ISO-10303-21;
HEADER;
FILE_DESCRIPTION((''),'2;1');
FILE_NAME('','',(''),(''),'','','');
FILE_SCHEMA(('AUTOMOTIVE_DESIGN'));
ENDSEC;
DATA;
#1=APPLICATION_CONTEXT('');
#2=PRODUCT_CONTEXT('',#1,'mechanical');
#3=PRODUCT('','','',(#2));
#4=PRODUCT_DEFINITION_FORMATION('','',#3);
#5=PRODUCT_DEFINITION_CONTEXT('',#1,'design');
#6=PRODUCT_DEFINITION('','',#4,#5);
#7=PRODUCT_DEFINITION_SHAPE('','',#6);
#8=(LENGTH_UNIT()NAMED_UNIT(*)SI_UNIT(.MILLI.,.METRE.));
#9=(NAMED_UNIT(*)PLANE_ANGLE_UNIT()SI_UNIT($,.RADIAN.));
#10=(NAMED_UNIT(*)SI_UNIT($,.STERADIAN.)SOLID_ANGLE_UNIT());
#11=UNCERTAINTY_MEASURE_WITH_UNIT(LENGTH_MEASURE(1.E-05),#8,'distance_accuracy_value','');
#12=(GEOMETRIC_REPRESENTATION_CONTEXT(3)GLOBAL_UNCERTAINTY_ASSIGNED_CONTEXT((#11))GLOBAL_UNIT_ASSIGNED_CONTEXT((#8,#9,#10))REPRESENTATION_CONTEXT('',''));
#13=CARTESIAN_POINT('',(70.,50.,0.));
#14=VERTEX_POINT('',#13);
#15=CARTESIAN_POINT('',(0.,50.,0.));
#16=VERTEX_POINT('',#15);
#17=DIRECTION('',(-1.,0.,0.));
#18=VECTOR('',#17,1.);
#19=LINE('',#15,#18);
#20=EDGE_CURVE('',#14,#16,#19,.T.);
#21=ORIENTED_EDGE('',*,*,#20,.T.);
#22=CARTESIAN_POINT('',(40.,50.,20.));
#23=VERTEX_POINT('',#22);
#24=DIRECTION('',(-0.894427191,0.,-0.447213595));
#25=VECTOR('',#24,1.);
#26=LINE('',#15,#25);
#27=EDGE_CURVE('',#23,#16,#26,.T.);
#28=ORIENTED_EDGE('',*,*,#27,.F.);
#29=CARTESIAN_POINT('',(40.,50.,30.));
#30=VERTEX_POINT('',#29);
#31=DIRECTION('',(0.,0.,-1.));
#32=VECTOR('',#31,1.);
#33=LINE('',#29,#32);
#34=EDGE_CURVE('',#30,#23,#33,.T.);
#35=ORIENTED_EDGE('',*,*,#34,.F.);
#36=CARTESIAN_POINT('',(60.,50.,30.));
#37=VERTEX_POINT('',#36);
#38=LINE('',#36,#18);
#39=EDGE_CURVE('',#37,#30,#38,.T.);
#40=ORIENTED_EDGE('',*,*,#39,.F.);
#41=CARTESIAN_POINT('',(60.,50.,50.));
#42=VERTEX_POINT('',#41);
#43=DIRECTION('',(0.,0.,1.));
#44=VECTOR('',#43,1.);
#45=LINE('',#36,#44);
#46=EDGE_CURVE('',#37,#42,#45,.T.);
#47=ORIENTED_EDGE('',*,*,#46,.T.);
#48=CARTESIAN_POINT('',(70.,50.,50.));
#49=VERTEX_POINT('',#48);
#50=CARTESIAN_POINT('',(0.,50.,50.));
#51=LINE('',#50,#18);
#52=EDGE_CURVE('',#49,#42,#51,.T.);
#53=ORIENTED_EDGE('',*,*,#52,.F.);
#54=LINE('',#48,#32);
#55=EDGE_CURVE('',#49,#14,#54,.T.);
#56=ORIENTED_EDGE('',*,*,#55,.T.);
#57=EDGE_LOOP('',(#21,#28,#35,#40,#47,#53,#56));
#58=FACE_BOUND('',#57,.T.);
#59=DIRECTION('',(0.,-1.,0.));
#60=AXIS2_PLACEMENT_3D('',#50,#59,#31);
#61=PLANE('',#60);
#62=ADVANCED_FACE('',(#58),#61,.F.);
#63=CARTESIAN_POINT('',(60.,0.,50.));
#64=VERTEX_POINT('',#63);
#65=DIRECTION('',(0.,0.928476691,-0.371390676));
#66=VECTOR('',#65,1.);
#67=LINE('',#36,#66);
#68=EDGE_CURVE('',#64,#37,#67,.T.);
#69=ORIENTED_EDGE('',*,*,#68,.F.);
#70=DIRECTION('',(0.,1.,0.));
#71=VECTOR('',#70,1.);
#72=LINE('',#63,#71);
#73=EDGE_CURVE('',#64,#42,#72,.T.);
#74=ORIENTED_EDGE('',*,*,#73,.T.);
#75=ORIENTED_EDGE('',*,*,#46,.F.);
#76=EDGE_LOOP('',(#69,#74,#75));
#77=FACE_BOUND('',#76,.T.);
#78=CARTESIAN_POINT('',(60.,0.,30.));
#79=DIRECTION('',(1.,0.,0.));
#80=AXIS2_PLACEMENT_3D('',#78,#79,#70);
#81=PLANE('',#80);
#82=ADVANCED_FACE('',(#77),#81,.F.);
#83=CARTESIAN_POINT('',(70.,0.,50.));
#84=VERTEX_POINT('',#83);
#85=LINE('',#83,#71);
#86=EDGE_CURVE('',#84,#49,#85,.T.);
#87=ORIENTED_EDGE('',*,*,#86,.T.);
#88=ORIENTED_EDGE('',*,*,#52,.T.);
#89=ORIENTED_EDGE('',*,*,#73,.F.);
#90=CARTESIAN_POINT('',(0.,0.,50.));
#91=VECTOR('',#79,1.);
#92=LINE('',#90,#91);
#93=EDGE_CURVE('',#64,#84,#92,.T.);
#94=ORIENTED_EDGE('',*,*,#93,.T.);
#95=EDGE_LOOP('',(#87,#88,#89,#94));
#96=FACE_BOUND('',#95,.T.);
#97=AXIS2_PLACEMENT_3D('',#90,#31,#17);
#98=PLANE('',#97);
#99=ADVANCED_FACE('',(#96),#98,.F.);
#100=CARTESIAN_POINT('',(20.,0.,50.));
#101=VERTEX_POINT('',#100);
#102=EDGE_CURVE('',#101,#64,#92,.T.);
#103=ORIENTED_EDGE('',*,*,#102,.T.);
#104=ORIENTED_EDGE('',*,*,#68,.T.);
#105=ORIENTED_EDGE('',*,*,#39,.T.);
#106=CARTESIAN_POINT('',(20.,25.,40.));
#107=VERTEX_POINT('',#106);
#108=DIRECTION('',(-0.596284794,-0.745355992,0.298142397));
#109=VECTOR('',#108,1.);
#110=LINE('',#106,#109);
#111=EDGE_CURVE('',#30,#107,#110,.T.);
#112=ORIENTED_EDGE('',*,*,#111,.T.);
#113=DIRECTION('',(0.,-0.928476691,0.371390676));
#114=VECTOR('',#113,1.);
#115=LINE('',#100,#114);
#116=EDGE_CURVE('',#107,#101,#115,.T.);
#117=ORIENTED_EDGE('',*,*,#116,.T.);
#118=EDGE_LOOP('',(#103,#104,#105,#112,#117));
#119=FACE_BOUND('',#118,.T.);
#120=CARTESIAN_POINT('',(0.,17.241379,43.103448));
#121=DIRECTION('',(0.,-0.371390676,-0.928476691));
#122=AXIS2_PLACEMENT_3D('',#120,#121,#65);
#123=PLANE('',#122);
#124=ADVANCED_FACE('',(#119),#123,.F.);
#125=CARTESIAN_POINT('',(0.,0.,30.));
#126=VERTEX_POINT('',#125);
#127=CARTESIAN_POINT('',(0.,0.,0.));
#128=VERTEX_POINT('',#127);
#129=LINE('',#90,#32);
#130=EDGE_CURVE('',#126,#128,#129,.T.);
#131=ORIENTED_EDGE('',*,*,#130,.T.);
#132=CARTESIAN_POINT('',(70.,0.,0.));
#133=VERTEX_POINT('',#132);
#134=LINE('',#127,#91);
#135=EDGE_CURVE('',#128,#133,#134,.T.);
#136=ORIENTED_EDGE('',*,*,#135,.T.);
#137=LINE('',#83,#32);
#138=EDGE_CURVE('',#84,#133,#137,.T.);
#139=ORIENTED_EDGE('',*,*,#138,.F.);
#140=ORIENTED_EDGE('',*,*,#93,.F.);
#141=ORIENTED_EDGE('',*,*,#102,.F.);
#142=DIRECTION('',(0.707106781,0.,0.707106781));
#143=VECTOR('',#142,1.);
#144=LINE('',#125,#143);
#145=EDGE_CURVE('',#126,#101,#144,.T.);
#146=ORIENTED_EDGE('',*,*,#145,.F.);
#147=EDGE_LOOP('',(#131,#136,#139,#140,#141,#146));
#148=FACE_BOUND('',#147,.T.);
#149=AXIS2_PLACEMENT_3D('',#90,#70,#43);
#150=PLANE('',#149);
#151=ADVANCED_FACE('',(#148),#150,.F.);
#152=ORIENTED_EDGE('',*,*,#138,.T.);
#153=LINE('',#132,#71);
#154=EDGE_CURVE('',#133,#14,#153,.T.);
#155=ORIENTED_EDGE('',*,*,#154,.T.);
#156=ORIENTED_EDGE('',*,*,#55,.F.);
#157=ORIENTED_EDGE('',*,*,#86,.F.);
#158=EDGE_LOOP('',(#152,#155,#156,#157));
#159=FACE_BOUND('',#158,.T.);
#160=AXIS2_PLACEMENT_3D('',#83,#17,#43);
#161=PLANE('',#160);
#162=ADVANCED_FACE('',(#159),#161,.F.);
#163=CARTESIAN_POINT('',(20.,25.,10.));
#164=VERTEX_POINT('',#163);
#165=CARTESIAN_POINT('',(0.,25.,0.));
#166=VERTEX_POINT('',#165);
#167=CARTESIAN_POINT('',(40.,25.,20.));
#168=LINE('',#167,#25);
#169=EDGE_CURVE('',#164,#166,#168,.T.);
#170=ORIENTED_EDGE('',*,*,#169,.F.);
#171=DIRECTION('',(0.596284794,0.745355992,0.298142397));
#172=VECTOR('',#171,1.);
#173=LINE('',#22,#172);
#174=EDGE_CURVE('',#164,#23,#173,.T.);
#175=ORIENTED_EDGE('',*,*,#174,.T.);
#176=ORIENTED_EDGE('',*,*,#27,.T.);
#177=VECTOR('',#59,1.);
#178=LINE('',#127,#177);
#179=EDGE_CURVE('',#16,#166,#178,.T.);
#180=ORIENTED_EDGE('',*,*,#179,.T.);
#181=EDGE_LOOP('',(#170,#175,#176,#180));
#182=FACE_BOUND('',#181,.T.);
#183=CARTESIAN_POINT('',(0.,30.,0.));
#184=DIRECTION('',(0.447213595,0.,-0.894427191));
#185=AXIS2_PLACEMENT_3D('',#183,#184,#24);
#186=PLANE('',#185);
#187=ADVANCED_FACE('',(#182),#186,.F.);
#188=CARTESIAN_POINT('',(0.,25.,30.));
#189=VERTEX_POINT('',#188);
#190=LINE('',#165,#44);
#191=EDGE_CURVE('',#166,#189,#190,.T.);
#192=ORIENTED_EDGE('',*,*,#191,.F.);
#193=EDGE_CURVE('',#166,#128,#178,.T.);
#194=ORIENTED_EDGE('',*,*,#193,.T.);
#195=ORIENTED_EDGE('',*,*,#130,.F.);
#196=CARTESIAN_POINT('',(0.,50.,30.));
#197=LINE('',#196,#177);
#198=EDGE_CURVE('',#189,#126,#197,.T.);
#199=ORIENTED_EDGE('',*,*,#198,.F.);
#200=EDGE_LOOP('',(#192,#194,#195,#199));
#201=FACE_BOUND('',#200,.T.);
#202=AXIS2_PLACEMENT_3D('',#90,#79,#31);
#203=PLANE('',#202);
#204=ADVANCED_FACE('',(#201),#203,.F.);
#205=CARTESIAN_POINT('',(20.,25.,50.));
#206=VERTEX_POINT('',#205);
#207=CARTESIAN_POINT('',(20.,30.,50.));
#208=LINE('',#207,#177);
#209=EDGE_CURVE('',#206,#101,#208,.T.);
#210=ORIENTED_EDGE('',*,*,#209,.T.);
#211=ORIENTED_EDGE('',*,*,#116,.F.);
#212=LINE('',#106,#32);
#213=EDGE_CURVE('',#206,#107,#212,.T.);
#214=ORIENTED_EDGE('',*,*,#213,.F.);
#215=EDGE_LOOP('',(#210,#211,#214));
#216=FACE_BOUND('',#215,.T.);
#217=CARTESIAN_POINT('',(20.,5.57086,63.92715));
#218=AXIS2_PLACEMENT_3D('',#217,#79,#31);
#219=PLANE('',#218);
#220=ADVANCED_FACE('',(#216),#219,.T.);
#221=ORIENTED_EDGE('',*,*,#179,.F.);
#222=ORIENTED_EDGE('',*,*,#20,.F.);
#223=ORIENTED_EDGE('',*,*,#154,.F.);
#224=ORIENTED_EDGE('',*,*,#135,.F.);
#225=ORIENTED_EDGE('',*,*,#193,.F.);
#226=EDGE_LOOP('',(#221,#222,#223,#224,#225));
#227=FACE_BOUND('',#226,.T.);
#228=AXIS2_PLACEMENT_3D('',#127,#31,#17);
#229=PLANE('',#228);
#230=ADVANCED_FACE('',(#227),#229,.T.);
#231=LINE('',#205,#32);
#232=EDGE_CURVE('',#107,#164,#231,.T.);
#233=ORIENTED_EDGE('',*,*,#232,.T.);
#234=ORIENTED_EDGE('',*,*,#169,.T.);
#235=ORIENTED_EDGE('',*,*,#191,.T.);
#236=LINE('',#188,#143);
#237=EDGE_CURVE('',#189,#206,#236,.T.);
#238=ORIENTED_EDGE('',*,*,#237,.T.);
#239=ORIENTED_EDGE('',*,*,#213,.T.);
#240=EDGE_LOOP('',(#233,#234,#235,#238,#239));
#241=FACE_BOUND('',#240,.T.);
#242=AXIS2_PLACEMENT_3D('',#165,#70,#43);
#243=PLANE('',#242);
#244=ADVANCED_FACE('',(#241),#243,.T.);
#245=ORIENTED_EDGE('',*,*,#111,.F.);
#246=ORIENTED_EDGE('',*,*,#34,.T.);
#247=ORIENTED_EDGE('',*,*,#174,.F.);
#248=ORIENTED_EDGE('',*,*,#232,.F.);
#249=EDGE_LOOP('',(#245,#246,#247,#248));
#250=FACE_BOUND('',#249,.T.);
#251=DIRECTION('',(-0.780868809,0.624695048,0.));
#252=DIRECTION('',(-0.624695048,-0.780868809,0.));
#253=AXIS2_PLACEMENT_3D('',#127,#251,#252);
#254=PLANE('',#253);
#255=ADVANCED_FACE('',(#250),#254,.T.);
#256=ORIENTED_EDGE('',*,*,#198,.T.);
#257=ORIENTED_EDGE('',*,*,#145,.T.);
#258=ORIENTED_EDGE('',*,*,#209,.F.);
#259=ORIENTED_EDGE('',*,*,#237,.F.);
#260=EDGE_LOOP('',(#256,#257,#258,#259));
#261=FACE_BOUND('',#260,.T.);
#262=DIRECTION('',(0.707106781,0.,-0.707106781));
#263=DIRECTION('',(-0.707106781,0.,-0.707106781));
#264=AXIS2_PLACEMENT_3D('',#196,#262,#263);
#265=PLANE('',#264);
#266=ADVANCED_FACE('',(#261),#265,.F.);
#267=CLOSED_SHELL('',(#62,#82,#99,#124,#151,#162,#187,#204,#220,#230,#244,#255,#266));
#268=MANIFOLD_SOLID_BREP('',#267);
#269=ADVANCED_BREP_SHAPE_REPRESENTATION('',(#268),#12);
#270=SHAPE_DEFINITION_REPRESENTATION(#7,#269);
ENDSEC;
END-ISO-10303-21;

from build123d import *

# Parameters (mm, degrees)
SKETCH1_W            = 70
SKETCH1_H            = 50
BOSS_EXTRUDE1_DEPTH  = 50
CUT_EXTRUDE1_DEPTH   = 50
CUT_EXTRUDE2_DEPTH   = 20
CUT_EXTRUDE3_DEPTH   = 20
CUT_EXTRUDE4_DEPTH   = 5
BOSS_EXTRUDE2_DEPTH  = 25
CUT_EXTRUDE5_DEPTH   = 25
BOSS_EXTRUDE3_DEPTH  = 30
BOSS_EXTRUDE4_DEPTH  = 50
CUT_EXTRUDE7_DEPTH   = 15
CUT_EXTRUDE8_DEPTH   = 15
BOSS_EXTRUDE5_DEPTH  = 15
CUT_EXTRUDE12_DEPTH  = 15
CUT_EXTRUDE13_DEPTH  = 15
BOSS_EXTRUDE6_DEPTH  = 15
SKETCH22_W           = 70
SKETCH22_H           = 50
CUT_EXTRUDE15_DEPTH  = 15
BOSS_EXTRUDE11_DEPTH = 15
CUT_EXTRUDE18_DEPTH  = 15
CUT_EXTRUDE19_DEPTH  = 15
BOSS_EXTRUDE14_DEPTH = 15
BOSS_EXTRUDE17_DEPTH = 25
BOSS_EXTRUDE18_DEPTH = 25


with BuildPart() as part:
    # Sketch1 → Boss-Extrude1 (new body)
    with BuildSketch(Plane.XY):
        with Locations((35, 25)):
            Rectangle(SKETCH1_W, SKETCH1_H)
    extrude(amount=BOSS_EXTRUDE1_DEPTH)

    # Sketch2 → Cut-Extrude1 (cut)
    with BuildSketch(Plane.XZ):
        Polygon((0, 30), (20, 50), (0, 50), align=None)
    extrude(amount=-CUT_EXTRUDE1_DEPTH, mode=Mode.SUBTRACT)

    # Sketch3 → Cut-Extrude2 (cut)
    with BuildSketch(Plane.XY.offset(50)):
        Polygon((60, 0), (60, 50), (40, 50), (20, 30), (20, 0), align=None)
    extrude(amount=-CUT_EXTRUDE2_DEPTH, mode=Mode.SUBTRACT)

    # Sketch4 → Cut-Extrude3 (cut)
    with BuildSketch(Plane(origin=(0, 50, 0), x_dir=(1, 0, 0), z_dir=(0, 1, 0))):
        Polygon((40, -30), (20, -50), (0, -30), (0, 0), (40, -20), align=None)
    extrude(amount=-CUT_EXTRUDE3_DEPTH, mode=Mode.SUBTRACT)

    # Sketch5 → Cut-Extrude4 (cut)
    with BuildSketch(Plane(origin=(0, 30, 0), x_dir=(1, 0, 0), z_dir=(0, 1, 0))):
        Polygon((0, 0), (0, -30), (20, -50), (20, -30), (40, -30), (40, -20), align=None)
    extrude(amount=-CUT_EXTRUDE4_DEPTH, mode=Mode.SUBTRACT)

    # Sketch6 → Boss-Extrude2 (add)
    with BuildSketch(Plane(origin=(0, 25, 0), x_dir=(1, 0, 0), z_dir=(0, 1, 0))):
        Polygon((20, -10), (20, -30), (40, -30), (40, -20), align=None)
    extrude(amount=BOSS_EXTRUDE2_DEPTH)

    # Sketch7 → Cut-Extrude5 (cut)
    with BuildSketch(Plane(origin=(0, 50, 0), x_dir=(1, 0, 0), z_dir=(0, 1, 0))):
        Polygon((20, -50), (40, -50), (40, -30), align=None)
    extrude(amount=-CUT_EXTRUDE5_DEPTH, mode=Mode.SUBTRACT)

    # Sketch8 → Boss-Extrude3 (add)
    with BuildSketch(Plane.XZ):
        Polygon((20, 50), (20, 40), (40, 30), (60, 30), (60, 50), align=None)
    extrude(amount=-BOSS_EXTRUDE3_DEPTH)

    # Sketch9 → Boss-Extrude4 (add)
    with BuildSketch(Plane(origin=(0, 50, 0), x_dir=(1, 0, 0), z_dir=(0, 1, 0))):
        Polygon((20, -40), (40, -30), (20, -30), align=None)
    extrude(amount=-BOSS_EXTRUDE4_DEPTH)

    # Sketch10 → Cut-Extrude7 (cut)
    with BuildSketch(Plane(origin=(0, 50, 0), x_dir=(1, 0, 0), z_dir=(0, 1, 0))):
        Polygon((20, -40), (40, -30), (40, -20), (20, -10), align=None)
    extrude(amount=-CUT_EXTRUDE7_DEPTH, mode=Mode.SUBTRACT)

    # Sketch11 → Cut-Extrude8 (cut)
    with BuildSketch(Plane(origin=(0, 17.24137931, 43.103448276), x_dir=(1, 0, 0), z_dir=(0, 0.371390676, 0.928476691))):
        Polygon((60, 35.282114254), (60, -18.569533818), (20, -18.569533818), (20, 4.642383454), (40, 35.282114254), align=None)
    extrude(amount=CUT_EXTRUDE8_DEPTH, mode=Mode.SUBTRACT)

    # Sketch12 → Boss-Extrude5 (add)
    with BuildSketch(Plane(origin=(0, 17.24137931, 43.103448276), x_dir=(1, 0, 0), z_dir=(0, 0.371390676, 0.928476691))):
        Polygon((40, 35.282114254), (60, 35.282114254), (60, -18.569533818), (20, -18.569533818), (20, 4.642383454), align=None)
    extrude(amount=-BOSS_EXTRUDE5_DEPTH)

    # Sketch13 → Cut-Extrude12 (cut)
    with BuildSketch(Plane(origin=(11.899549259, -7.211848036, 2.884739214), x_dir=(0.173608446, -0.10521724, -0.979177941), z_dir=(0.837390852, -0.507509607, 0.203003843))):
        Polygon((-48.11715912, 31.745980111), (-48.11715912, 37.592580529), (-35.861981078, 39.10036734), (-39.313151906, 28.797022071), align=None)
    extrude(amount=-CUT_EXTRUDE12_DEPTH, mode=Mode.SUBTRACT)

    # Sketch15 → Cut-Extrude13 (cut)
    with BuildSketch(Plane(origin=(0, 17.24137931, 43.103448276), x_dir=(1, 0, 0), z_dir=(0, 0.371390676, 0.928476691))):
        Polygon((40, 35.282114254), (20, 35.282114254), (20, -18.569533818), align=None)
    extrude(amount=CUT_EXTRUDE13_DEPTH, mode=Mode.SUBTRACT)

    # Sketch16 → Boss-Extrude6 (add)
    with BuildSketch(Plane(origin=(0, 17.24137931, 43.103448276), x_dir=(1, 0, 0), z_dir=(0, 0.371390676, 0.928476691))):
        Polygon((25.939393939, 13.741455025), (28, 19.126619832), (24, 13.741455025), align=None)
        Polygon((28, 19.126619832), (25.939393939, 13.741455025), (29.454545455, 19.126619832), align=None)
    extrude(amount=-BOSS_EXTRUDE6_DEPTH)

    # Sketch22 → Cut-Extrude15 (cut)
    with BuildSketch(Plane(origin=(0, 0, 0), x_dir=(-1, 0, 0), z_dir=(0, -1, 0))):
        with Locations((-35, -25)):
            Rectangle(SKETCH22_W, SKETCH22_H)
    extrude(amount=CUT_EXTRUDE15_DEPTH, mode=Mode.SUBTRACT)

    # Sketch28 → Boss-Extrude11 (add)
    with BuildSketch(Plane(origin=(-9.6, 12.8, 0), x_dir=(0.8, 0.6, 0), z_dir=(-0.6, 0.8, 0))):
        Polygon((37, -36), (62, -30), (62, -20), (37, -10), align=None)
    extrude(amount=-BOSS_EXTRUDE11_DEPTH)

    # Sketch29 → Cut-Extrude18 (cut)
    with BuildSketch(Plane(origin=(0, 0, 0), x_dir=(0, 0, -1), z_dir=(0.780868809, -0.624695048, 0))):
        Polygon((-40, 32.015621187), (-30, 64.031242374), (-20, 64.031242374), (-10, 32.015621187), align=None)
    extrude(amount=-CUT_EXTRUDE18_DEPTH, mode=Mode.SUBTRACT)

    # Sketch30 → Cut-Extrude19 (cut)
    with BuildSketch(Plane(origin=(0, 0, 0), x_dir=(0.894427191, 0, 0.447213595), z_dir=(-0.447213595, 0, 0.894427191))):
        Polygon((0, 50), (44.72135955, 50), (22.360679775, 25), (0, 25), align=None)
    extrude(amount=CUT_EXTRUDE19_DEPTH, mode=Mode.SUBTRACT)

    # Sketch32 → Boss-Extrude14 (add)
    with BuildSketch(Plane(origin=(0, 17.24137931, 43.103448276), x_dir=(1, 0, 0), z_dir=(0, 0.371390676, 0.928476691))):
        Polygon((28, 19.126619832), (40, 35.282114254), (29.454545455, 19.126619832), align=None)
    extrude(amount=-BOSS_EXTRUDE14_DEPTH)

    # Sketch34 → Boss-Extrude17 (add)
    with BuildSketch(Plane(origin=(0, 25, 0), x_dir=(1, 0, 0), z_dir=(0, 1, 0))):
        Polygon((14.310344828, -40), (20, -40), (20, -50), align=None)
    extrude(amount=-BOSS_EXTRUDE17_DEPTH)

    # Sketch35 → Boss-Extrude18 (add)
    with BuildSketch(Plane(origin=(0, 0, 0), x_dir=(0, 0, 1), z_dir=(-0.780868809, 0.624695048, 0))):
        Polygon((30, 64.031242374), (40, 32.015621187), (10, 32.015621187), (20, 64.031242374), align=None)
    extrude(amount=-BOSS_EXTRUDE18_DEPTH)


solid = part.part
